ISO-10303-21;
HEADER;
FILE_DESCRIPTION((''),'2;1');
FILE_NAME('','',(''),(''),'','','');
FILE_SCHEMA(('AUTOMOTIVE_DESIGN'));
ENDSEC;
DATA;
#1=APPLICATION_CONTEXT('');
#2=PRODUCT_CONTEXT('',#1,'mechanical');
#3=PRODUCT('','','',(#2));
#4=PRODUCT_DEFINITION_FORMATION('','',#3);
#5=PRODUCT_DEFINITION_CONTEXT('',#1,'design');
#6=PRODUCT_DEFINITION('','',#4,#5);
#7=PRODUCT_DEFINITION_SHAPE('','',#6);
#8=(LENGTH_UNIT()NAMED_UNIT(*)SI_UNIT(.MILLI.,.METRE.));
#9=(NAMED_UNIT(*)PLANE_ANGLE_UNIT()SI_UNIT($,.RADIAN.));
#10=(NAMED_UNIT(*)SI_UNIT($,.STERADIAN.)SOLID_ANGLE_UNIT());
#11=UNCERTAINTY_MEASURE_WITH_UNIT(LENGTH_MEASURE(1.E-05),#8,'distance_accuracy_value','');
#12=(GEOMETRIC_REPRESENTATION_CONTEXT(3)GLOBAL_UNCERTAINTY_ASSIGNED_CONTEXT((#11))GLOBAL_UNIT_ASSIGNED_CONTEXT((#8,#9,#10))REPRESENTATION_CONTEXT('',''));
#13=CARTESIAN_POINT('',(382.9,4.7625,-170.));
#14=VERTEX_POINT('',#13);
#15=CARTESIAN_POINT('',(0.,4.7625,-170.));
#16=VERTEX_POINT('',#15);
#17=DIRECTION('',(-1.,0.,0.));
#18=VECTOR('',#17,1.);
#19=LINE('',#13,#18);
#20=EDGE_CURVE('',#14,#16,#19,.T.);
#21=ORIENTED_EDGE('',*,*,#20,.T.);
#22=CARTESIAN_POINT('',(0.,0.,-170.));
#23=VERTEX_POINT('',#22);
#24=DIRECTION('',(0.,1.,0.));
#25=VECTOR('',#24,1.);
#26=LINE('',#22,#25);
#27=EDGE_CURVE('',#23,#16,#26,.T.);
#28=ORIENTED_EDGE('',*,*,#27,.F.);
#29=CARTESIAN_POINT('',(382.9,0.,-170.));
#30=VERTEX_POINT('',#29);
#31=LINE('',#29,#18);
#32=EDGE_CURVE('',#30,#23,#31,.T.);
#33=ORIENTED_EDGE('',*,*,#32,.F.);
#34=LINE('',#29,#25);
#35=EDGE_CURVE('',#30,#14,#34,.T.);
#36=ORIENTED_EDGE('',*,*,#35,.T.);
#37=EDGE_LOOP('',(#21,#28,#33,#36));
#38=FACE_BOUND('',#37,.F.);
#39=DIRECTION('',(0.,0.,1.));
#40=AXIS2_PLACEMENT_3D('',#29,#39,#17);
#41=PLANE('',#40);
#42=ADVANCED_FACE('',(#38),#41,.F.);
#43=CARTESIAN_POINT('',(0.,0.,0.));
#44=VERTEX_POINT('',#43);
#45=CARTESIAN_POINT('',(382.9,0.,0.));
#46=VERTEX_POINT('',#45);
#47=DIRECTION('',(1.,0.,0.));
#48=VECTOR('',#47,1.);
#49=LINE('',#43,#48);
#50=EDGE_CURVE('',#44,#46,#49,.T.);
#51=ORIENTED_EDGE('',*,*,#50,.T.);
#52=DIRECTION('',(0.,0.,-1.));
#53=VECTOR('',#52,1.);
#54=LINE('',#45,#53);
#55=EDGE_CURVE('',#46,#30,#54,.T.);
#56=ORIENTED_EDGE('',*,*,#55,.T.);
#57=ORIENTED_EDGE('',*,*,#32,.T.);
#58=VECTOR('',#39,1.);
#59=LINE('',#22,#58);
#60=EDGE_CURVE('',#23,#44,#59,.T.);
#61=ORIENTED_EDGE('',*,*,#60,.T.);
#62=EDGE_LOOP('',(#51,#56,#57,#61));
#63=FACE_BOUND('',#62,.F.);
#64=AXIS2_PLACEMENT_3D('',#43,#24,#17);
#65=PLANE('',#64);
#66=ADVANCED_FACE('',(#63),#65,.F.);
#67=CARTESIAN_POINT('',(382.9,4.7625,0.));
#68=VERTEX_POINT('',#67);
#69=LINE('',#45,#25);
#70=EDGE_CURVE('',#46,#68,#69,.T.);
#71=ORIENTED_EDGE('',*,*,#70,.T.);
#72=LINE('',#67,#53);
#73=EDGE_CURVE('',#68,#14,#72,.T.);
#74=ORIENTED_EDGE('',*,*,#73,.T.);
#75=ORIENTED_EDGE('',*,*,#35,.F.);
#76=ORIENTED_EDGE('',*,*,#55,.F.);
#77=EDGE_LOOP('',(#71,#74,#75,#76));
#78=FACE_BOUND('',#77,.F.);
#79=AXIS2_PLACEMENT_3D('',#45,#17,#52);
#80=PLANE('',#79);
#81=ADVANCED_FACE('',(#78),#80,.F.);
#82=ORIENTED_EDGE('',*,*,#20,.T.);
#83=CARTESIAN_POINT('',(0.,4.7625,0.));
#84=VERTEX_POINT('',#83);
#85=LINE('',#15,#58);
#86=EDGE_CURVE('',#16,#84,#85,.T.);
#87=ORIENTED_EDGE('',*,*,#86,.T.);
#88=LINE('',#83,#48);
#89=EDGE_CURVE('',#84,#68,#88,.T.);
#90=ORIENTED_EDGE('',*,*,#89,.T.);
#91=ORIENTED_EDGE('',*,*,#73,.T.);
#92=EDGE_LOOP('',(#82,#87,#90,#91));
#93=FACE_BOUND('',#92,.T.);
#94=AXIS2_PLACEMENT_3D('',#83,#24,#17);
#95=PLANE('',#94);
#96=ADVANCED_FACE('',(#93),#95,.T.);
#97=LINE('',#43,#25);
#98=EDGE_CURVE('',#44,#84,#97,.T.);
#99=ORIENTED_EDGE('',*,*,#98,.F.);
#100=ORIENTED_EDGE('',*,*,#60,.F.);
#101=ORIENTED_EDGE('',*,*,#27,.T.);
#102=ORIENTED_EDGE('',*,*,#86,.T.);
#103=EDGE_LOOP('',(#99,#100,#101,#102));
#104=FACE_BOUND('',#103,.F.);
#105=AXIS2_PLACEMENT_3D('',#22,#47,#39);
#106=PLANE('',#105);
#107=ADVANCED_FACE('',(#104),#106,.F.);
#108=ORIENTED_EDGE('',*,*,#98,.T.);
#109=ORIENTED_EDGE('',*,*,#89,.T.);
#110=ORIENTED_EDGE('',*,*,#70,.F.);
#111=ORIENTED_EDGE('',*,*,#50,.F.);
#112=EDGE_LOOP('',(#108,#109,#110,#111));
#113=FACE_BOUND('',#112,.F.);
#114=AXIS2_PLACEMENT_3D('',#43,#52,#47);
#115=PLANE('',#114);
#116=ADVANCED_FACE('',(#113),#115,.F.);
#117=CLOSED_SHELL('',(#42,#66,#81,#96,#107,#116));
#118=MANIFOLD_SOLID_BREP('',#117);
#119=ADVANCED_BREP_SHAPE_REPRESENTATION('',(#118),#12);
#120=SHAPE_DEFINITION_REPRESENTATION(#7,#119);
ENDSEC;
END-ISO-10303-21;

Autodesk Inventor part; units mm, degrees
ref_plane "YZ Plane" through (0, 0, 0) normal (1, 0, 0) x (0, 1, 0)
ref_plane "XZ Plane" through (0, 0, 0) normal (0, 1, 0) x (-1, 0, 0)
ref_plane "XY Plane" through (0, 0, 0) normal (0, 0, 1) x (1, 0, 0)
sketch "Sketch1" plane through (0, 0, 0) normal (0, 1, 0) x (-1, 0, 0)
  line L0 (0, 0) -> (-382.9, 0)
  line L1 (-382.9, 0) -> (-382.9, -170)
  line L2 (-382.9, -170) -> (0, -170)
  line L3 (0, -170) -> (0, 0)
  dimension "d0" = 170
  dimension "d1" = 382.9
extrude "Extrusion1" add sketch "Sketch1" along normal blind 4.7625
properties part number "OpticalDeviceRoof"
